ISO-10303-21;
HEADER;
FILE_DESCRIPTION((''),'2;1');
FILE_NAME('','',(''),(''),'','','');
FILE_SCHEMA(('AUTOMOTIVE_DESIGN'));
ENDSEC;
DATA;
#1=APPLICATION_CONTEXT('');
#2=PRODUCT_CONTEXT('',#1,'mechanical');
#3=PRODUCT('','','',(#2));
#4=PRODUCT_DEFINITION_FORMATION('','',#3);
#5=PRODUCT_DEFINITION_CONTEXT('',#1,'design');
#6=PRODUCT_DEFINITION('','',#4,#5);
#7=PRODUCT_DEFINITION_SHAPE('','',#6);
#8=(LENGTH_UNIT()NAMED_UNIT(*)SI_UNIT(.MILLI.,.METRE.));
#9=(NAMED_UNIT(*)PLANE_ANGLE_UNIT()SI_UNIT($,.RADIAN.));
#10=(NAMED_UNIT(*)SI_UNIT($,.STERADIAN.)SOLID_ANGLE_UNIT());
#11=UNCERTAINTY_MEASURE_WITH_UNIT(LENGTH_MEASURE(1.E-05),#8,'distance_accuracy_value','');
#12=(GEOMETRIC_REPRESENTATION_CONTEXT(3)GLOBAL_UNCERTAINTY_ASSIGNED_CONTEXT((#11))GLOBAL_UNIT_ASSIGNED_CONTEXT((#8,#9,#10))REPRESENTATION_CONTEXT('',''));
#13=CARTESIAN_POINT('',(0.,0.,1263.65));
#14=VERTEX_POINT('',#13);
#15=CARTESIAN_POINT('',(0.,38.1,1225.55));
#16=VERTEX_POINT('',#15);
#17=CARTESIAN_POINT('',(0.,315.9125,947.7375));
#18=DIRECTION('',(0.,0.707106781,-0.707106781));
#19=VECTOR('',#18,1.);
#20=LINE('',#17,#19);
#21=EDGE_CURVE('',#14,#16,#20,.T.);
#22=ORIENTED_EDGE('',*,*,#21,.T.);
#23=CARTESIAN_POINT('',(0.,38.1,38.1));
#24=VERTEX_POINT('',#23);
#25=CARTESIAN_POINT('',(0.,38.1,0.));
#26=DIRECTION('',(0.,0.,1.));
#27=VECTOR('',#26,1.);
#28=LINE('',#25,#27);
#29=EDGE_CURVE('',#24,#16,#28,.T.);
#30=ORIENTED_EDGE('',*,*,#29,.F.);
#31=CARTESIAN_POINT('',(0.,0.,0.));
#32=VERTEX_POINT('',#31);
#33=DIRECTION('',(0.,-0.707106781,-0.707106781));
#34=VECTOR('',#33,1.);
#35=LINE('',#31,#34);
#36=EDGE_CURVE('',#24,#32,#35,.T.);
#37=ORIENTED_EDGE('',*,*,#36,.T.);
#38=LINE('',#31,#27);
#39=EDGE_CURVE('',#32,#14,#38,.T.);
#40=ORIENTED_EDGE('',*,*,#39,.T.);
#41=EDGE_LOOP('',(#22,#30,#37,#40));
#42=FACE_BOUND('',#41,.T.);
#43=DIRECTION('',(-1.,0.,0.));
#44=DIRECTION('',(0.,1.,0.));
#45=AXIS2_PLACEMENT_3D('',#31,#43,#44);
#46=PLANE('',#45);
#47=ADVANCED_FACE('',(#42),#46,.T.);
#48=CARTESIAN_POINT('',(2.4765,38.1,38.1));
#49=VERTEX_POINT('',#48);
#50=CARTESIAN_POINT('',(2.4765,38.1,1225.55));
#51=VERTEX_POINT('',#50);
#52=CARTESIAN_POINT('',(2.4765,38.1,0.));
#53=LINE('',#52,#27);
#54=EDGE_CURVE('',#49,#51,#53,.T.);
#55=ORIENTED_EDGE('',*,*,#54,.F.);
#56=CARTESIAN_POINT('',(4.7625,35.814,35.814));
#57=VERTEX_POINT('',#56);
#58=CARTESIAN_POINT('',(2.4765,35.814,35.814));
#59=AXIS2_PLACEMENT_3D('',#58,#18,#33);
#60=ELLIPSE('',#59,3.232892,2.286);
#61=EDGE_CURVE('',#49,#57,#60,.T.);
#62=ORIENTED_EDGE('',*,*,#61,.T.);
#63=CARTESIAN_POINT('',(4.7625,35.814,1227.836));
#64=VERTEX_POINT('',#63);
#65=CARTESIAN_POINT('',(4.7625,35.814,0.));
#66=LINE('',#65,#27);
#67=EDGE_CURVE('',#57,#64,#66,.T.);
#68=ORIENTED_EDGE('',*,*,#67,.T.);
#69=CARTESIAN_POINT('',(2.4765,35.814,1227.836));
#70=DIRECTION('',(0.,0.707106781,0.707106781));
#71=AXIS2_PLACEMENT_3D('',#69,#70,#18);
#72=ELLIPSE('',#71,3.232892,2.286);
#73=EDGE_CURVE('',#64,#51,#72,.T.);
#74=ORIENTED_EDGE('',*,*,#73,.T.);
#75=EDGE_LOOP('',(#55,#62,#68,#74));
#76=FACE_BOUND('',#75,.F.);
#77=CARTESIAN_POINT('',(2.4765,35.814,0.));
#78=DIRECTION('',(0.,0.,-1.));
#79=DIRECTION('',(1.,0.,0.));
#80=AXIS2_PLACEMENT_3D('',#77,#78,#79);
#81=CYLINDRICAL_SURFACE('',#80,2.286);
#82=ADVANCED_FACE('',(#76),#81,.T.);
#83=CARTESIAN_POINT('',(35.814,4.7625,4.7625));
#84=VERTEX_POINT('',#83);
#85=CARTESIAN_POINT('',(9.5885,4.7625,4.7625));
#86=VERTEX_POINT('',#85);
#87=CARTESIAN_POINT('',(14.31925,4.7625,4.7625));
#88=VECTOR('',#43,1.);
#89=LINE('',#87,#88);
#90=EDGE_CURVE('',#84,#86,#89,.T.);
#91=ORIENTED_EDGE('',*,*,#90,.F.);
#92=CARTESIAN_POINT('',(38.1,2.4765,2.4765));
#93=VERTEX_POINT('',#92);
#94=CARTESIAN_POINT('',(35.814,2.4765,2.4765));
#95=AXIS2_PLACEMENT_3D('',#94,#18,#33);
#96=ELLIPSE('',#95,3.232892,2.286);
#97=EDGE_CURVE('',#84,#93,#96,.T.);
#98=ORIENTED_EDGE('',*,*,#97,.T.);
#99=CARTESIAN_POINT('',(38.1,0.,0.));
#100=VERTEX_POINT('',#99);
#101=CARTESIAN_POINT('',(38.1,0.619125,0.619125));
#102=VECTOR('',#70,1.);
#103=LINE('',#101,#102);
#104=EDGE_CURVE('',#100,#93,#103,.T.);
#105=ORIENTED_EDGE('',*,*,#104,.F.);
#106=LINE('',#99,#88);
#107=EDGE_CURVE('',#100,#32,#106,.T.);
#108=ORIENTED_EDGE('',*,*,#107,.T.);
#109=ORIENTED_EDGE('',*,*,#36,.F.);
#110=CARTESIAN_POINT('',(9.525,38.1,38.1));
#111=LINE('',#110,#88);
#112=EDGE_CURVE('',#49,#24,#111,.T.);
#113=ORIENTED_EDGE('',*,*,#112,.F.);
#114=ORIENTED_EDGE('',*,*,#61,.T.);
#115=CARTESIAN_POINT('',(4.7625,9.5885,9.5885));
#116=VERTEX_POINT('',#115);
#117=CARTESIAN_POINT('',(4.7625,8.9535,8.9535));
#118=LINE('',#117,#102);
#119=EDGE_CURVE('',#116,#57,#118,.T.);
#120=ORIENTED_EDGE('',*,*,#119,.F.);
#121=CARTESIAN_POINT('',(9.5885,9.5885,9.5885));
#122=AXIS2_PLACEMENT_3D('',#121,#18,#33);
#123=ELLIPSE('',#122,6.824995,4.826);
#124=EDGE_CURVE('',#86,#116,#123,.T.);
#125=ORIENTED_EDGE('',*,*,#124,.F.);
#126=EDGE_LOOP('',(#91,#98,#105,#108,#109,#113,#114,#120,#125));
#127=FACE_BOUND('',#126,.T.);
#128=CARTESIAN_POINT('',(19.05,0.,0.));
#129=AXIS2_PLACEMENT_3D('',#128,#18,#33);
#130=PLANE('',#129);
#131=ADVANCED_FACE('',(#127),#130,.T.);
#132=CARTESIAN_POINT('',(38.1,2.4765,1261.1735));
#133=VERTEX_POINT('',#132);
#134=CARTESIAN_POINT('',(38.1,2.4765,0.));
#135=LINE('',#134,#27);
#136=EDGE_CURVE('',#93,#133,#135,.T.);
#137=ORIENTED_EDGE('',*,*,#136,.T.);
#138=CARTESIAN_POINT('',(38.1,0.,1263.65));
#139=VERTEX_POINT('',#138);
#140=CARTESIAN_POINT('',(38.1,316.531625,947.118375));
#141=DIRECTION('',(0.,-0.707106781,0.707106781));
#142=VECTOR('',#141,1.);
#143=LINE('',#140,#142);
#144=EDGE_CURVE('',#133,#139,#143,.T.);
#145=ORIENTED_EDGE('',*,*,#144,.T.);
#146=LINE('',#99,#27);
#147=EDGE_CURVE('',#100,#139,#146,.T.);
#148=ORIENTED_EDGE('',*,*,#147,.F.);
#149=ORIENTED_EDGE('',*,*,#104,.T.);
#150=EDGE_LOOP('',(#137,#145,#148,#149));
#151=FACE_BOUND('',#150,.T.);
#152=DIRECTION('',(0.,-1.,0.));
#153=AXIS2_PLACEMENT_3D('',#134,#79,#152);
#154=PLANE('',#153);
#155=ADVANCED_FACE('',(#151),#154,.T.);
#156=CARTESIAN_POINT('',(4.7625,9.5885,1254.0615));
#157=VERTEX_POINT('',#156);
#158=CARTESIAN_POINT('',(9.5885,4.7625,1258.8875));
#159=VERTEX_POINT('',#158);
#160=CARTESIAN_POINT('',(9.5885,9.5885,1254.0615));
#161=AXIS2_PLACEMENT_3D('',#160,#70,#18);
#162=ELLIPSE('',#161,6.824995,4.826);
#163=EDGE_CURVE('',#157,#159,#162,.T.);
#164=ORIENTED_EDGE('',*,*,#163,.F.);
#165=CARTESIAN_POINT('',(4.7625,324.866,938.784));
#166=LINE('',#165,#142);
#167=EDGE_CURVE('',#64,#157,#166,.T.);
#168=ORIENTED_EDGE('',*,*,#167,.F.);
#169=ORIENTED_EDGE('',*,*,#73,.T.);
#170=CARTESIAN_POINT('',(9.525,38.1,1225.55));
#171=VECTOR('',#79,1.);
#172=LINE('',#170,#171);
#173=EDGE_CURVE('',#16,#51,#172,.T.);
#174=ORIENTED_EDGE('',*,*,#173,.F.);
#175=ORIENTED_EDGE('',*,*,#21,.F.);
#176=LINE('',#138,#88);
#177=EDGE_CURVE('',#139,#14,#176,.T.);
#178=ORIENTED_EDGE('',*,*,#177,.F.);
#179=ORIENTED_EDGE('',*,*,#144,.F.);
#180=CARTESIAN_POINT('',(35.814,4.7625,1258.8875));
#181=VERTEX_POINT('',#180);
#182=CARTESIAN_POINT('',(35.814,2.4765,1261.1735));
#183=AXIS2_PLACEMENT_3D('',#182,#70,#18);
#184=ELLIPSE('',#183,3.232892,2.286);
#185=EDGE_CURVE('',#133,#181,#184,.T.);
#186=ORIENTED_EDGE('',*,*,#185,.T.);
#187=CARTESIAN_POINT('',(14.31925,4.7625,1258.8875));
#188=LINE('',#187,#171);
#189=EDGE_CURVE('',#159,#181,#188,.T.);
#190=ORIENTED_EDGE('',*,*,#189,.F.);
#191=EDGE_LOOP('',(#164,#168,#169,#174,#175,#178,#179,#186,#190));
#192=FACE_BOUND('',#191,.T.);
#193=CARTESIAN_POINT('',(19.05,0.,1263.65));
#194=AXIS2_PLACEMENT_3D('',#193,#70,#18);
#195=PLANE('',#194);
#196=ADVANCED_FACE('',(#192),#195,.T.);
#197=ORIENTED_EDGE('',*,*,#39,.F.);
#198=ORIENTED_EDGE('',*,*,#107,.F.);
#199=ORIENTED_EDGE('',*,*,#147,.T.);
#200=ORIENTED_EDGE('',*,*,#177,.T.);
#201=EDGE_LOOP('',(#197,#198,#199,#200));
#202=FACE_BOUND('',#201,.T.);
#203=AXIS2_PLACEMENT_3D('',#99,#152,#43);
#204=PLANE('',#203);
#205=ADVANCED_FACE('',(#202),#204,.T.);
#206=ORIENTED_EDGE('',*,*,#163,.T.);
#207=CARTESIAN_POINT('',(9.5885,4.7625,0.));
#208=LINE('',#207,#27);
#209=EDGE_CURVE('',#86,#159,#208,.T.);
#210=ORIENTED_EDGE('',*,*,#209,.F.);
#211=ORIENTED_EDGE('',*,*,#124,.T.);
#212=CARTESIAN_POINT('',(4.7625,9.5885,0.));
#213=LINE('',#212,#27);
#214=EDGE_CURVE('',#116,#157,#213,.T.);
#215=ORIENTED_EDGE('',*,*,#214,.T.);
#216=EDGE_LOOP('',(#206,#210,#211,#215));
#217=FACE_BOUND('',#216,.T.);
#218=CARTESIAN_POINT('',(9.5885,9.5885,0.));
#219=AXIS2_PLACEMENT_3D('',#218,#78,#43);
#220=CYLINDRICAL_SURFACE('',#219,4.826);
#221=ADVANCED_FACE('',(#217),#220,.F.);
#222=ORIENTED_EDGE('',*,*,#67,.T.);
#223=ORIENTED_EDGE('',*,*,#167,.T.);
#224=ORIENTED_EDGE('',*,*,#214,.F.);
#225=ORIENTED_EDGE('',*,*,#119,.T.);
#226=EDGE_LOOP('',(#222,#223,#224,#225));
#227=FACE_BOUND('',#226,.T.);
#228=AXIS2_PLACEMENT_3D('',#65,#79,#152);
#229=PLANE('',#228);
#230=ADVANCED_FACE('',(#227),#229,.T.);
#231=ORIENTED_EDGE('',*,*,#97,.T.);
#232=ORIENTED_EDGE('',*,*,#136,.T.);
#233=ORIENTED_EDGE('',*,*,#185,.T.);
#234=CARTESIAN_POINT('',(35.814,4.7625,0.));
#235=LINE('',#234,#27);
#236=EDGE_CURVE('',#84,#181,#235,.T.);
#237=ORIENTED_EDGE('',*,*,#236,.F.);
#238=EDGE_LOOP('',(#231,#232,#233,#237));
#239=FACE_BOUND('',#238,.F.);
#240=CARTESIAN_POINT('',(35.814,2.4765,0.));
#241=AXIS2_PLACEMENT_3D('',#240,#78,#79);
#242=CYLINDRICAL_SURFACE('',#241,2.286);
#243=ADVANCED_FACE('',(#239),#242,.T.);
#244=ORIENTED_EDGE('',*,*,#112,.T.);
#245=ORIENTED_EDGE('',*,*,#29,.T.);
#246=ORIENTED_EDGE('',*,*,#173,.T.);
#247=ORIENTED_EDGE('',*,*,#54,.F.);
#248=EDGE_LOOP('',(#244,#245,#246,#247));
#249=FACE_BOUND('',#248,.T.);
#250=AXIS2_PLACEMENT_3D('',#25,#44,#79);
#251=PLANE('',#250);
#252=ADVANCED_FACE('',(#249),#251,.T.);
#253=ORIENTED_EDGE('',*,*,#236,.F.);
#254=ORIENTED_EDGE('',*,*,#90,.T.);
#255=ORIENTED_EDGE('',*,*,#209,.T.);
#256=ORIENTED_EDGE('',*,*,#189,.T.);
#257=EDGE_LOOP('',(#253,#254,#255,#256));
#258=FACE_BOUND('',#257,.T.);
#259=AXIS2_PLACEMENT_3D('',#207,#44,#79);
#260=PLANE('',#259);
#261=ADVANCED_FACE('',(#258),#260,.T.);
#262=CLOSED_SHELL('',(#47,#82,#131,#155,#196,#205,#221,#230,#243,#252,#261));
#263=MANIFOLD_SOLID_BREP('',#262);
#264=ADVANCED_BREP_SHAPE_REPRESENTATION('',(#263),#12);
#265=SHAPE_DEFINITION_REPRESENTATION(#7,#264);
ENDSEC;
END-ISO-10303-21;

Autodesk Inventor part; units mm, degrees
ref_plane "Start plane" through (0, 0, 0) normal (0, 0, 1) x (1, 0, 0)
ref_plane "End plane" through (0, 0, 1263.65) normal (0, 0, 1) x (1, 0, 0)
sketch "Sketch" plane through (0, 0, 0) normal (0, 0, 1) x (1, 0, 0)
  line L0 (38.1, 0) -> (0, 0)
  line L1 (0, 0) -> (0, 38.1)
  line L2 (0, 38.1) -> (2.4765, 38.1)
  line L3 (4.7625, 35.814) -> (4.7625, 9.5885)
  line L4 (9.5885, 4.7625) -> (35.814, 4.7625)
  line L5 (38.1, 2.4765) -> (38.1, 0)
  line L6 (0, -11.0414) -> (0, 31.5385) construction
  line L7 (-11.0414, 0) -> (31.5385, 0) construction
  arc A0 (4.7625, 9.5885) -> (9.5885, 4.7625) centre (9.5885, 9.5885) ccw
  arc A1 (4.7625, 35.814) -> (2.4765, 38.1) centre (2.4765, 35.814) ccw
  arc A2 (38.1, 2.4765) -> (35.814, 4.7625) centre (35.814, 2.4765) ccw
  line L8 (0, 48.4964) -> (0, -20.9644) construction
  line L9 (-20.9644, 0) -> (48.4964, 0) construction
  point P0 (4.7625, 38.1)
  point P1 (4.7625, 4.7625)
  point P2 (38.1, 4.7625)
  dimension "d0" = 38.1
  dimension "d1" = 38.1
  dimension "d2" = 4.7625
  dimension "d3" = 4.7625
  dimension "d10" = 0
  dimension "d11" = 0
  dimension "d14" = 4.826
  dimension "d15" = 2.286
extrude "Body" add sketch "Sketch" along normal up to surface (1263.65 mm away) from surface at 0
sketch "Sketch3" plane through (0, 0, 0) normal (0, 0, 1) x (1, 0, 0)
  line L0 (0, 0) -> (10, 0)
ref_plane "Work Plane3" through (0, 0, 0) normal (0, -1, 0) x (1, 0, 0)
sketch "Sketch4" plane through (0, 0, 0) normal (0, -1, 0) x (1, 0, 0)
  line L0 (-2, 0) -> (12, 0)
  line L1 (-2, 1263.65) -> (12, 1263.65)
  dimension "d17" = 1263.65
ref_plane "Work Plane4" through (19.05, 0, 1263.65) normal (0, 0.7071, 0.7071) x (1, 0, 0)
split "Split1" plane through (19.05, 0, 1263.65) removes the side toward (0, 0.7071, 0.7071)
ref_plane "Work Plane5" through (19.05, 0, 0) normal (0, 0.7071, -0.7071) x (1, 0, 0)
split "Split2" plane through (19.05, 0, 0) removes the side toward (0, 0.7071, -0.7071)
equation "\"d0\" = G_H"
equation "\"d1\" = G_H"
equation "\"d2\" = G_T"
equation "\"d3\" = G_T"
equation "\"d14\" = G_IR"
equation "\"d15\" = G_ER"
equation "\"d4\" = G_L"
equation "\"G_H\" = 38.1"
equation "\"G_T\" = 4.7625"
equation "\"G_ER\" = 2.286"
equation "\"G_IR\" = 4.826"
equation "\"G_L\" = d17"
equation "\"ex\" = 0"
equation "\"G_OFFSET_START\" = 0"
equation "\"G_OFFSET_END\" = 0"
equation "\"d13\" = G_OFFSET_END + B_L"
equation "\"B_L\" = 1263.65"
properties part number "AISC - L 1.5 x 1.5 x 3/16 - 49.75" material "Steel, Mild"
